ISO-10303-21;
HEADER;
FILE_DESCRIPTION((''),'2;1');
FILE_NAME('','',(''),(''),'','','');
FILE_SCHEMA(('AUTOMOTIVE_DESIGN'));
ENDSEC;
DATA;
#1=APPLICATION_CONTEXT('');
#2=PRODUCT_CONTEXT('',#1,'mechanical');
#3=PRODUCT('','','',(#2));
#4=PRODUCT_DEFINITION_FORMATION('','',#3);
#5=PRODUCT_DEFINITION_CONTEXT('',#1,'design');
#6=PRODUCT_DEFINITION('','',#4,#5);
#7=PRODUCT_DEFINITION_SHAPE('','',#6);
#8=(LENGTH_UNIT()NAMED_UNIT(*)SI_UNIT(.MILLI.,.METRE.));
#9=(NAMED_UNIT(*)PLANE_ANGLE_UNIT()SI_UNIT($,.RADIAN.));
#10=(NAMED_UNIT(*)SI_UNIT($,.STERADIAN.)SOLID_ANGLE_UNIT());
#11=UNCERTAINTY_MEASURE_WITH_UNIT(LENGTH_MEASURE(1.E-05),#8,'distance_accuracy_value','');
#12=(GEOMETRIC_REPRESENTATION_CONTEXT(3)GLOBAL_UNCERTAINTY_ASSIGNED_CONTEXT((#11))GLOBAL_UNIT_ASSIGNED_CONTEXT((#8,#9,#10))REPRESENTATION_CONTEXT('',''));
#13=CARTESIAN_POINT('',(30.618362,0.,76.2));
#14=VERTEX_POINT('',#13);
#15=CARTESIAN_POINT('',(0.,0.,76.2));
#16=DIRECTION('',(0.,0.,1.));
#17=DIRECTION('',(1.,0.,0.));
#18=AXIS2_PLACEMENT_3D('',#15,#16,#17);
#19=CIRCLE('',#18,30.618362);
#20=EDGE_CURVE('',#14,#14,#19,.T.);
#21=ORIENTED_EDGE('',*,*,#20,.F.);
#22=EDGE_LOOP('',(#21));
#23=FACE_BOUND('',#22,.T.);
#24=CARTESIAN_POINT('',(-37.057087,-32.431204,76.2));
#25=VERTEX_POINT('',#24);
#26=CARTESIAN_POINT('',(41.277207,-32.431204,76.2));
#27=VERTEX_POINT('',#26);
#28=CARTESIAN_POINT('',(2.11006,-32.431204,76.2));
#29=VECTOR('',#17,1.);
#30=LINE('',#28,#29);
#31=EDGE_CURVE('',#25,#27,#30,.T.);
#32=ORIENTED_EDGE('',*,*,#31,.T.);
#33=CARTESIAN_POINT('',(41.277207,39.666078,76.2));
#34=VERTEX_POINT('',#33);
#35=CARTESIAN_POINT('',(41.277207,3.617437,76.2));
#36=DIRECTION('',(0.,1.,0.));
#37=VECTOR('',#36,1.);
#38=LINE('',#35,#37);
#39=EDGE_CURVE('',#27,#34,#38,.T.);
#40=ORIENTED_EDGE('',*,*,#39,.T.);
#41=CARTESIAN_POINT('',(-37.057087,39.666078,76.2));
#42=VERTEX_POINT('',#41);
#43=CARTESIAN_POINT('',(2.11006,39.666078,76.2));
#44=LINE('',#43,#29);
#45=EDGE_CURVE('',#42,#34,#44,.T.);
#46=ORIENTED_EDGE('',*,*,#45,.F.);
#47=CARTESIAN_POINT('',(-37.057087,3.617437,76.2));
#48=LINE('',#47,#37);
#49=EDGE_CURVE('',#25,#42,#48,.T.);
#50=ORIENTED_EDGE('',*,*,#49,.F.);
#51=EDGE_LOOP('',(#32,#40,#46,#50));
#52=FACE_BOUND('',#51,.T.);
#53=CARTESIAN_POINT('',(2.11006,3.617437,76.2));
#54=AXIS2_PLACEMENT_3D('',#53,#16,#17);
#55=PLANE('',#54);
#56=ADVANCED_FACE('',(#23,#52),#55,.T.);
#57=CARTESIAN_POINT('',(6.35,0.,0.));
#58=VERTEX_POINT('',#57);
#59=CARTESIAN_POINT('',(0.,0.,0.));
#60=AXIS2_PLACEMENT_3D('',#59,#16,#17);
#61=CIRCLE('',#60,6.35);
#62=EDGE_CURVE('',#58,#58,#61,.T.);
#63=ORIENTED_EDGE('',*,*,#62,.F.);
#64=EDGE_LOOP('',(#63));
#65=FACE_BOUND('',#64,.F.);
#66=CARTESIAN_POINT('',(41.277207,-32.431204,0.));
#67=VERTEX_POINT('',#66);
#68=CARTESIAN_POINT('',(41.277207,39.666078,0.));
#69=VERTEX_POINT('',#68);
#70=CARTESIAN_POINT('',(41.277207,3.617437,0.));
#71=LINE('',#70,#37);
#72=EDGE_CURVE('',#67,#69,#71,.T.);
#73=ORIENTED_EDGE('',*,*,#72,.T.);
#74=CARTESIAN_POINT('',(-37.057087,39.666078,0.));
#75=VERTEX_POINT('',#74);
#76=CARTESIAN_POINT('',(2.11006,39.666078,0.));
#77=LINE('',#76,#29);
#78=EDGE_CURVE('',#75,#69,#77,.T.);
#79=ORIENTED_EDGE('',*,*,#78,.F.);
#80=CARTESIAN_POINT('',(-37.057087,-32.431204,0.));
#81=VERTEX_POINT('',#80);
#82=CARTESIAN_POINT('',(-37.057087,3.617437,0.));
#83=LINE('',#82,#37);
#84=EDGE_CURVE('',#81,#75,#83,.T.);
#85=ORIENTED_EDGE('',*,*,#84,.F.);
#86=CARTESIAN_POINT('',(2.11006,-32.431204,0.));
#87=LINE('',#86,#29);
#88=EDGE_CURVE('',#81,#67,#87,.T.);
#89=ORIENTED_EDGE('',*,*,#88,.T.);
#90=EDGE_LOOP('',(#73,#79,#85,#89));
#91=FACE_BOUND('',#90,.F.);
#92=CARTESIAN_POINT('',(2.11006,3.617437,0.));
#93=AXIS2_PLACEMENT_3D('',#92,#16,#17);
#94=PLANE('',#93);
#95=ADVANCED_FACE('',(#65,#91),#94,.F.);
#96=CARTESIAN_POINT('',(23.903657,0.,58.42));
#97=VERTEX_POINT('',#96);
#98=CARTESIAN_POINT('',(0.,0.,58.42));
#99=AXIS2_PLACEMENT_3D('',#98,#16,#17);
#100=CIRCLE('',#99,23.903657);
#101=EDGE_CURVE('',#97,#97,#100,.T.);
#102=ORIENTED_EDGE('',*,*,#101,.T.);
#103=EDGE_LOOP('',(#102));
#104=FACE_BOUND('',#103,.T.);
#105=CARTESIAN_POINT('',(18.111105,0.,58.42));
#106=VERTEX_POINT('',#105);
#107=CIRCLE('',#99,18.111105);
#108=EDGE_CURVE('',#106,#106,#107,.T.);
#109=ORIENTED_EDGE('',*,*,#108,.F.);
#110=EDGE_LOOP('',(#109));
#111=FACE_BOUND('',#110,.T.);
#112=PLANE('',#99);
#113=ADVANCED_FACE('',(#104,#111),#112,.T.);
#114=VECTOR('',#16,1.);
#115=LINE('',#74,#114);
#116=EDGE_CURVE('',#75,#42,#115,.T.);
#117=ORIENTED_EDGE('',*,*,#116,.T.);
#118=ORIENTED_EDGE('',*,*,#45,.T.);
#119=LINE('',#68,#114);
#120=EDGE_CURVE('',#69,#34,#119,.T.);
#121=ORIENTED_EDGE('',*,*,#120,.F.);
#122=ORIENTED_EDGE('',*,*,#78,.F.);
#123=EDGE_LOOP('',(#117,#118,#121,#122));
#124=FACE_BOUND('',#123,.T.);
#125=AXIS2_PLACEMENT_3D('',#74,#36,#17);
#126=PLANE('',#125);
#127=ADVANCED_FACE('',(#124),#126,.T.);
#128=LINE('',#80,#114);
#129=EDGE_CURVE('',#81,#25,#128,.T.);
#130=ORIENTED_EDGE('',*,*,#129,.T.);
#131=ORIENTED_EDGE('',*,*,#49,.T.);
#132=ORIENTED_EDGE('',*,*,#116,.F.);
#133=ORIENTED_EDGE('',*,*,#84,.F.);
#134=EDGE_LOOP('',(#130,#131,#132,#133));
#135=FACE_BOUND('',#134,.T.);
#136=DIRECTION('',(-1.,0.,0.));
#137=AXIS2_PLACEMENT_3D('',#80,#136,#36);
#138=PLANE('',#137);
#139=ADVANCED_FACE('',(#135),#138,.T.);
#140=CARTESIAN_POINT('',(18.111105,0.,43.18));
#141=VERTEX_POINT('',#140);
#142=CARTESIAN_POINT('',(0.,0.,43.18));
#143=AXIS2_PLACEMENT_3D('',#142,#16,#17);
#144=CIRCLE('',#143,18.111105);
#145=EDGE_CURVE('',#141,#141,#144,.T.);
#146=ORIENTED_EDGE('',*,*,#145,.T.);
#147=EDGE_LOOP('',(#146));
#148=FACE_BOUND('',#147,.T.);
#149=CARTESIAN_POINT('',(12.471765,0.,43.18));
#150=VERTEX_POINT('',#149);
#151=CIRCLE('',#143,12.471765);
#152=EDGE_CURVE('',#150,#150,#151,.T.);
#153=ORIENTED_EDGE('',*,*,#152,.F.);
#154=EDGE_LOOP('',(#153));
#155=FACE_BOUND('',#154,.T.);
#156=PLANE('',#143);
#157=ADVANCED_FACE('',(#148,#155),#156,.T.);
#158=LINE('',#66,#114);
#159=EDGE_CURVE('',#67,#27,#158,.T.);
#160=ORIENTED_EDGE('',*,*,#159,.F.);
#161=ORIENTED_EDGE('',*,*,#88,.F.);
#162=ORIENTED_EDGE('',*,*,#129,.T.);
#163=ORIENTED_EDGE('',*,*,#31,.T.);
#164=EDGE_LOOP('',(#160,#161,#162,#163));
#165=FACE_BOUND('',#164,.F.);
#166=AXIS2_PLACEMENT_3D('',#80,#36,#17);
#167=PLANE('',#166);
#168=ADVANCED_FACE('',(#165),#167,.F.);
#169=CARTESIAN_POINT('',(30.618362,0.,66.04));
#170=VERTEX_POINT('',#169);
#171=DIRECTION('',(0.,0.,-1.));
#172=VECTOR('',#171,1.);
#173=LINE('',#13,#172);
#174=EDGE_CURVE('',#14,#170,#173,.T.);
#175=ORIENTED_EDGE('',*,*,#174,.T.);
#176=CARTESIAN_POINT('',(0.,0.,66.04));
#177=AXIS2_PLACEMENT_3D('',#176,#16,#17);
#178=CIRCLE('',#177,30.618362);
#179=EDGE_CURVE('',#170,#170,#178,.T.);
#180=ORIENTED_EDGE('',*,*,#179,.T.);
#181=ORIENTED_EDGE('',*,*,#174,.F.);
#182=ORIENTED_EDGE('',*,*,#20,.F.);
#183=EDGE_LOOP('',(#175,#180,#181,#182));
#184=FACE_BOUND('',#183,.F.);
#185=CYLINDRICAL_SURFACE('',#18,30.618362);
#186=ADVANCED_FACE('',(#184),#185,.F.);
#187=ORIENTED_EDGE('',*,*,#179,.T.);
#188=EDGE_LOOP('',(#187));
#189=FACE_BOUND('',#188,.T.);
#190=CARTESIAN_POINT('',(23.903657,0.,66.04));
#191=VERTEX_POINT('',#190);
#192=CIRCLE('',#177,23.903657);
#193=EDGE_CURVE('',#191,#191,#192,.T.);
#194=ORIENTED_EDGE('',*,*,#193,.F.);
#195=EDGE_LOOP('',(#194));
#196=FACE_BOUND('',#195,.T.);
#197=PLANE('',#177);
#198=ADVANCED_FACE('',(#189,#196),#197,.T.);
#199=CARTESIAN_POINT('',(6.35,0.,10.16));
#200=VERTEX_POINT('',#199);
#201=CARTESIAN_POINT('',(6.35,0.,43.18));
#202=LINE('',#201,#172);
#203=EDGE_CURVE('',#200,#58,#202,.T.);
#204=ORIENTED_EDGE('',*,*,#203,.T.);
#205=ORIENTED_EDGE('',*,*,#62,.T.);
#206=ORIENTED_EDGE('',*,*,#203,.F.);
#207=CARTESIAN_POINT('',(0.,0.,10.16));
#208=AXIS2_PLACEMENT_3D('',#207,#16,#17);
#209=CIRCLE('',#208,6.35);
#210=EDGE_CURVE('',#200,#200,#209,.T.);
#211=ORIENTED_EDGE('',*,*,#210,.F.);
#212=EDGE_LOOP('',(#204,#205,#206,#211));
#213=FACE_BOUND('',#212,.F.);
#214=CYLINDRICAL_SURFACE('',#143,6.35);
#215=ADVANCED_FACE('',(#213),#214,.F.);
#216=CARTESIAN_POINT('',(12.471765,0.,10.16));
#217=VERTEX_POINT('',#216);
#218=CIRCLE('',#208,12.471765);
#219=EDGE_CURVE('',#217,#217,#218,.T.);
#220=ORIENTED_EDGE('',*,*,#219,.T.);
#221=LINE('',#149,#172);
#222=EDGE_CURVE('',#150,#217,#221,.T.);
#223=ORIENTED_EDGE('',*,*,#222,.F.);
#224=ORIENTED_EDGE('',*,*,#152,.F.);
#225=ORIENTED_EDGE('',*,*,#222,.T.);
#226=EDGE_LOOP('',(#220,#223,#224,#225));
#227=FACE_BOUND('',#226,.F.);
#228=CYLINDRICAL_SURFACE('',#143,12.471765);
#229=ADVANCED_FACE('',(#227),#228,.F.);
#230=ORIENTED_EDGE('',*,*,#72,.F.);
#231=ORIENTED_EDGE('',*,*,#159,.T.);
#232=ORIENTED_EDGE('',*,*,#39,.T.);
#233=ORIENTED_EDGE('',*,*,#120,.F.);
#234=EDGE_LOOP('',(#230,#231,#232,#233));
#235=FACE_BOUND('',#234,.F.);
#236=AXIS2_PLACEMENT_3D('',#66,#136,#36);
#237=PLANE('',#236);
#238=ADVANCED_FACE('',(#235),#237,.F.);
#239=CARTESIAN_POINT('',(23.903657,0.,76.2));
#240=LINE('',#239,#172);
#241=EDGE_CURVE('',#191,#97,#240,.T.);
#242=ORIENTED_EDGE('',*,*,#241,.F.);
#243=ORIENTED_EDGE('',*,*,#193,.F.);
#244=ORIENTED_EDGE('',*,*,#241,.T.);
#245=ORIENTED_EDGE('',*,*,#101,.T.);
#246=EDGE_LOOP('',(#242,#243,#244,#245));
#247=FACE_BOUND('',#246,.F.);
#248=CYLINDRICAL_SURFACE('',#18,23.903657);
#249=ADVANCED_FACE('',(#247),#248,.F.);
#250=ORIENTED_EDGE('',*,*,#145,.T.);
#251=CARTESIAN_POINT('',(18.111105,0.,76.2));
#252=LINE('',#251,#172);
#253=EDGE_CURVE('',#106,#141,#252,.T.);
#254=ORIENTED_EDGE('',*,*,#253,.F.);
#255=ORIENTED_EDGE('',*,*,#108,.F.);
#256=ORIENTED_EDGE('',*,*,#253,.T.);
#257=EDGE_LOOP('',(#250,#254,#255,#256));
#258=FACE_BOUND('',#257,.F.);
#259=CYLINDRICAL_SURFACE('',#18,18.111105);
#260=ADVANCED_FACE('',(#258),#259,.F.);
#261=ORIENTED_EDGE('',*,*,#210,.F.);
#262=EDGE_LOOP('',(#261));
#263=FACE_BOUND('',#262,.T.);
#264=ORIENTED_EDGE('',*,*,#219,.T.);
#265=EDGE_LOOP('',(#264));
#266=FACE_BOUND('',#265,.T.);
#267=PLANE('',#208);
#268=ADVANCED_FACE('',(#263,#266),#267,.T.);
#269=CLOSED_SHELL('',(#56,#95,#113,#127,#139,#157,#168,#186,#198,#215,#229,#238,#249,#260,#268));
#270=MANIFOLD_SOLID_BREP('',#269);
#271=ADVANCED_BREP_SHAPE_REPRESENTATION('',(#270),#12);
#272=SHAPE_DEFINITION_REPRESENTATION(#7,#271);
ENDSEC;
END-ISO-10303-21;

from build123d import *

# Parameters (mm, degrees)
F0_W      = 78.334294
F0_H      = 72.097283
F1_DEPTH  = 76.2
F2_R      = 18.111105
F3_DEPTH  = 33.02
F4_R      = 6.35
F5_DEPTH  = 50.8
F6_R      = 12.471765
F7_DEPTH  = 33.02
F8_R      = 23.903657
F9_DEPTH  = 17.78
F10_R     = 30.618362
F11_DEPTH = 10.16


with BuildPart() as f1:
    # F0 (on Top) → F1 (new body)
    with BuildSketch(Plane.XY):
        with Locations((2.11006, 3.617437)):
            Rectangle(F0_W, F0_H)
    extrude(amount=F1_DEPTH)

    # F2 (on face) → F3 (cut)
    with BuildSketch(Plane.XY.offset(76.2)):
        Circle(F2_R)
    extrude(amount=-F3_DEPTH, mode=Mode.SUBTRACT)

    # F4 (on face) → F5 (cut)
    with BuildSketch(Plane.XY.offset(43.18)):
        Circle(F4_R)
    extrude(amount=-F5_DEPTH, mode=Mode.SUBTRACT)

    # F6 (on face) → F7 (cut)
    with BuildSketch(Plane.XY.offset(43.18)):
        Circle(F6_R)
    extrude(amount=-F7_DEPTH, mode=Mode.SUBTRACT)

    # F8 (on face) → F9 (cut)
    with BuildSketch(Plane.XY.offset(76.2)):
        Circle(F8_R)
    extrude(amount=-F9_DEPTH, mode=Mode.SUBTRACT)

    # F10 (on face) → F11 (cut)
    with BuildSketch(Plane.XY.offset(76.2)):
        Circle(F10_R)
    extrude(amount=-F11_DEPTH, mode=Mode.SUBTRACT)


solid = f1.part
